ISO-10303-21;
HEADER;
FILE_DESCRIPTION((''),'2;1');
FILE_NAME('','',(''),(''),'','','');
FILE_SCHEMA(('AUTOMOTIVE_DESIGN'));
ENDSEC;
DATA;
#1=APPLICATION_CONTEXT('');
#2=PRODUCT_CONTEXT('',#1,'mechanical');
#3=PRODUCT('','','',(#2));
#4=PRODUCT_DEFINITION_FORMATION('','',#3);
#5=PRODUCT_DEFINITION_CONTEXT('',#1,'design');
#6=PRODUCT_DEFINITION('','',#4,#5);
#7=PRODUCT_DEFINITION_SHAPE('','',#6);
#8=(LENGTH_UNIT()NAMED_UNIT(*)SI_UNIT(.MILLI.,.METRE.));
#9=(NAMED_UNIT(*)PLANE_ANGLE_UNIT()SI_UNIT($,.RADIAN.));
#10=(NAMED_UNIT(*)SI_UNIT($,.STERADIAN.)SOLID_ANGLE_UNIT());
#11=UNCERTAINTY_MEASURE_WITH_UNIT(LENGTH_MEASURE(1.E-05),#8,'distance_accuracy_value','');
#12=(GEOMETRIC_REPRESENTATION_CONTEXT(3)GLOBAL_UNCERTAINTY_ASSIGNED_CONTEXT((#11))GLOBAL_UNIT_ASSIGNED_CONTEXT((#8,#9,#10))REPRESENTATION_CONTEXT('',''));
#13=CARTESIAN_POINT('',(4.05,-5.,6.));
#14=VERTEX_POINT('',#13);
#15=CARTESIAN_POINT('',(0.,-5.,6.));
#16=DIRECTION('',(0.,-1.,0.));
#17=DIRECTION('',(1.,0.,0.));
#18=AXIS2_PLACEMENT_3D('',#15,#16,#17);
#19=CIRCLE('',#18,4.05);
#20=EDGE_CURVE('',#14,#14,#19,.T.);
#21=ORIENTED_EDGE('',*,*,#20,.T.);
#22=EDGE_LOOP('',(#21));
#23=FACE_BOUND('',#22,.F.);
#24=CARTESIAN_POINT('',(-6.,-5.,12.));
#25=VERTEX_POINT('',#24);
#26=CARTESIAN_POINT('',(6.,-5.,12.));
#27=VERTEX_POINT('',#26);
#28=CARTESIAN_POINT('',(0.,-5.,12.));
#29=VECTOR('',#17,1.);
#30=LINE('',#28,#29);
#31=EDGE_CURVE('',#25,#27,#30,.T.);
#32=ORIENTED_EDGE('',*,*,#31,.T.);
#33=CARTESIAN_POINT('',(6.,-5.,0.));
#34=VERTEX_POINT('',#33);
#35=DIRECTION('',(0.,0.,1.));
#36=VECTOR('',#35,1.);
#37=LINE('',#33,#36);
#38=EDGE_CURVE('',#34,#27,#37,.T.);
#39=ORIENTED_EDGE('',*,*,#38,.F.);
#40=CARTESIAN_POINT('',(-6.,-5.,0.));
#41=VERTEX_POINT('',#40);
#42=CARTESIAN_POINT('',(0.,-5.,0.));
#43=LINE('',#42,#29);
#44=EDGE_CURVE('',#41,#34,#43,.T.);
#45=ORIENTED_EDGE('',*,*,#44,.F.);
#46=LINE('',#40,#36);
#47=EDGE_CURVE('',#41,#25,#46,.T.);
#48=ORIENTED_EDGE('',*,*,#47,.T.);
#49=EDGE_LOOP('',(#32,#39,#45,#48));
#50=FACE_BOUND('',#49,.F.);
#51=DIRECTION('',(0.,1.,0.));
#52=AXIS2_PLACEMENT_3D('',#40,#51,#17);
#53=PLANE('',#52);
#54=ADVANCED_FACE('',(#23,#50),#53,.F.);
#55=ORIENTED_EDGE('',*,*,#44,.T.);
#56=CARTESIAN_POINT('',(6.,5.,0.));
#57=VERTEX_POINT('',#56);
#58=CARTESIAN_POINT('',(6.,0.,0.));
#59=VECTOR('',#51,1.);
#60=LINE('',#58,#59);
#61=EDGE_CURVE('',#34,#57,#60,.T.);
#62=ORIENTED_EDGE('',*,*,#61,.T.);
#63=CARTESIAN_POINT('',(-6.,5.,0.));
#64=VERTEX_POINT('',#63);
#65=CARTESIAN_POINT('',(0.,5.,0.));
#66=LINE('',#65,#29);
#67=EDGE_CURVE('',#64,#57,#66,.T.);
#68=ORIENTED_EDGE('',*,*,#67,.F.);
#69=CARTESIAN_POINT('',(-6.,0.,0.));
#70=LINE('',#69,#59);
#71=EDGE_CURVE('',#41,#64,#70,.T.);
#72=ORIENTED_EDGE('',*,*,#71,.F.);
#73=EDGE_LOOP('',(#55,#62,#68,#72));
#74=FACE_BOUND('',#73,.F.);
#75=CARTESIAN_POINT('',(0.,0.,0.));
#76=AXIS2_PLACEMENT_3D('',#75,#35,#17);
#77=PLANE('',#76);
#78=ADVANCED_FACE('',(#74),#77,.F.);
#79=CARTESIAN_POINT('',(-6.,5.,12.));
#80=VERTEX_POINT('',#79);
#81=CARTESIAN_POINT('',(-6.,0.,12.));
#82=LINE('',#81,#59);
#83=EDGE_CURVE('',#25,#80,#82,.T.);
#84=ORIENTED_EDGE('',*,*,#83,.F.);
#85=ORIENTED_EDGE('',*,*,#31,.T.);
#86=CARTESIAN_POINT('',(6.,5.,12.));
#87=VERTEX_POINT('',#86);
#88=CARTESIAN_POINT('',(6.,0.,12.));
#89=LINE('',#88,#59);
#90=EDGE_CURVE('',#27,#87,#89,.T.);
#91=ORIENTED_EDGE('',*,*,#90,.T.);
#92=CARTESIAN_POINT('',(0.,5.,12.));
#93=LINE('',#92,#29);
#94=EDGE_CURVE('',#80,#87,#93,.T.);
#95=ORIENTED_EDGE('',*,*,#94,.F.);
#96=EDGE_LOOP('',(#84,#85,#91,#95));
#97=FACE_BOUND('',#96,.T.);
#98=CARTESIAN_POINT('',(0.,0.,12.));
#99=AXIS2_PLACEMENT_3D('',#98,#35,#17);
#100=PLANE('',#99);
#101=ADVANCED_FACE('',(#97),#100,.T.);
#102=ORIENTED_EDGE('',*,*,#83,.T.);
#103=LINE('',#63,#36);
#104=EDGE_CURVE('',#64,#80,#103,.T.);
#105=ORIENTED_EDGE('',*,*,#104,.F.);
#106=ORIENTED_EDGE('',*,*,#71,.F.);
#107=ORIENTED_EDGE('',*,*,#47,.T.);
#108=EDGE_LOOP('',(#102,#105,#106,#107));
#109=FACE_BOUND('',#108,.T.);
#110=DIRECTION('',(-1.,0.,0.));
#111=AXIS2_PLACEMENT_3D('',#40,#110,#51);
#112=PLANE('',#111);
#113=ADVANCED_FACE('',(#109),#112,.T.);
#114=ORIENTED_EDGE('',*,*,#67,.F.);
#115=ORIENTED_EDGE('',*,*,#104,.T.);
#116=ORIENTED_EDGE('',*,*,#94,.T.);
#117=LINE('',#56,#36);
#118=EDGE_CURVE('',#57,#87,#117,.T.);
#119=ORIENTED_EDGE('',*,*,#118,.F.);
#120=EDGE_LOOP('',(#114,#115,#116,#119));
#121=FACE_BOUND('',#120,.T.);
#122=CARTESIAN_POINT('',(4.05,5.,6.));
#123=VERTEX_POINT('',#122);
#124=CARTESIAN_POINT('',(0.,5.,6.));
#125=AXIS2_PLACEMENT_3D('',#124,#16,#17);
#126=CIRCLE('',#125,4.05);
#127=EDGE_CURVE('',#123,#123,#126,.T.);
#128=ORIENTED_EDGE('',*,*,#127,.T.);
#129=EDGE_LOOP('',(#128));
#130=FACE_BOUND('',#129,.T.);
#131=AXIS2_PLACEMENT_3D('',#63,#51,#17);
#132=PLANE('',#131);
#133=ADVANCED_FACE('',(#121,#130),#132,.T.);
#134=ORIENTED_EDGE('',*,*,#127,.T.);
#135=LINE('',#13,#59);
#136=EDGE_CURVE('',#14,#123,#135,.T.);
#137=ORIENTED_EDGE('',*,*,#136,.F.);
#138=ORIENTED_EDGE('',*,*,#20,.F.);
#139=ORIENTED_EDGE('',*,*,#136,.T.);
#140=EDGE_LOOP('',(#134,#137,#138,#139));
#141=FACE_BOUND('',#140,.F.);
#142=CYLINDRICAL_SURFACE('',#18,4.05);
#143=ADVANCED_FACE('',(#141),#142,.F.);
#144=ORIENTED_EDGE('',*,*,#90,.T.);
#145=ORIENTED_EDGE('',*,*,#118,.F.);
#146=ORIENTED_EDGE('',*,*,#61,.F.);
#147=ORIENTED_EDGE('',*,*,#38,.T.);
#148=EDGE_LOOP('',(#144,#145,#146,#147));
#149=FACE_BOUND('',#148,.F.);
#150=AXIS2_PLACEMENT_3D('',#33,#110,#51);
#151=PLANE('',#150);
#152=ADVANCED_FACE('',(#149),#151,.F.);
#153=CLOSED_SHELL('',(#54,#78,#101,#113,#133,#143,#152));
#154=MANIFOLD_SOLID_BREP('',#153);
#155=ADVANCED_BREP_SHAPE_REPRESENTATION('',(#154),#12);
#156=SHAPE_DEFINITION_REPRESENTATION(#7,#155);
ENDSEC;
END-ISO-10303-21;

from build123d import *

# Parameters (mm, degrees)
F0_W     = 12
F0_H     = 10
F1_DEPTH = 12
F2_R     = 4.05
F3_DEPTH = 25


with BuildPart() as f1:
    # F0 (on Top) → F1 (new body)
    with BuildSketch(Plane.XY):
        Rectangle(F0_W, F0_H)
    extrude(amount=F1_DEPTH)

    # F2 (on face) → F3 (cut)
    with BuildSketch(Plane.XZ.offset(5)):
        with Locations((0, 6)):
            Circle(F2_R)
    extrude(amount=-F3_DEPTH, mode=Mode.SUBTRACT)


solid = f1.part
